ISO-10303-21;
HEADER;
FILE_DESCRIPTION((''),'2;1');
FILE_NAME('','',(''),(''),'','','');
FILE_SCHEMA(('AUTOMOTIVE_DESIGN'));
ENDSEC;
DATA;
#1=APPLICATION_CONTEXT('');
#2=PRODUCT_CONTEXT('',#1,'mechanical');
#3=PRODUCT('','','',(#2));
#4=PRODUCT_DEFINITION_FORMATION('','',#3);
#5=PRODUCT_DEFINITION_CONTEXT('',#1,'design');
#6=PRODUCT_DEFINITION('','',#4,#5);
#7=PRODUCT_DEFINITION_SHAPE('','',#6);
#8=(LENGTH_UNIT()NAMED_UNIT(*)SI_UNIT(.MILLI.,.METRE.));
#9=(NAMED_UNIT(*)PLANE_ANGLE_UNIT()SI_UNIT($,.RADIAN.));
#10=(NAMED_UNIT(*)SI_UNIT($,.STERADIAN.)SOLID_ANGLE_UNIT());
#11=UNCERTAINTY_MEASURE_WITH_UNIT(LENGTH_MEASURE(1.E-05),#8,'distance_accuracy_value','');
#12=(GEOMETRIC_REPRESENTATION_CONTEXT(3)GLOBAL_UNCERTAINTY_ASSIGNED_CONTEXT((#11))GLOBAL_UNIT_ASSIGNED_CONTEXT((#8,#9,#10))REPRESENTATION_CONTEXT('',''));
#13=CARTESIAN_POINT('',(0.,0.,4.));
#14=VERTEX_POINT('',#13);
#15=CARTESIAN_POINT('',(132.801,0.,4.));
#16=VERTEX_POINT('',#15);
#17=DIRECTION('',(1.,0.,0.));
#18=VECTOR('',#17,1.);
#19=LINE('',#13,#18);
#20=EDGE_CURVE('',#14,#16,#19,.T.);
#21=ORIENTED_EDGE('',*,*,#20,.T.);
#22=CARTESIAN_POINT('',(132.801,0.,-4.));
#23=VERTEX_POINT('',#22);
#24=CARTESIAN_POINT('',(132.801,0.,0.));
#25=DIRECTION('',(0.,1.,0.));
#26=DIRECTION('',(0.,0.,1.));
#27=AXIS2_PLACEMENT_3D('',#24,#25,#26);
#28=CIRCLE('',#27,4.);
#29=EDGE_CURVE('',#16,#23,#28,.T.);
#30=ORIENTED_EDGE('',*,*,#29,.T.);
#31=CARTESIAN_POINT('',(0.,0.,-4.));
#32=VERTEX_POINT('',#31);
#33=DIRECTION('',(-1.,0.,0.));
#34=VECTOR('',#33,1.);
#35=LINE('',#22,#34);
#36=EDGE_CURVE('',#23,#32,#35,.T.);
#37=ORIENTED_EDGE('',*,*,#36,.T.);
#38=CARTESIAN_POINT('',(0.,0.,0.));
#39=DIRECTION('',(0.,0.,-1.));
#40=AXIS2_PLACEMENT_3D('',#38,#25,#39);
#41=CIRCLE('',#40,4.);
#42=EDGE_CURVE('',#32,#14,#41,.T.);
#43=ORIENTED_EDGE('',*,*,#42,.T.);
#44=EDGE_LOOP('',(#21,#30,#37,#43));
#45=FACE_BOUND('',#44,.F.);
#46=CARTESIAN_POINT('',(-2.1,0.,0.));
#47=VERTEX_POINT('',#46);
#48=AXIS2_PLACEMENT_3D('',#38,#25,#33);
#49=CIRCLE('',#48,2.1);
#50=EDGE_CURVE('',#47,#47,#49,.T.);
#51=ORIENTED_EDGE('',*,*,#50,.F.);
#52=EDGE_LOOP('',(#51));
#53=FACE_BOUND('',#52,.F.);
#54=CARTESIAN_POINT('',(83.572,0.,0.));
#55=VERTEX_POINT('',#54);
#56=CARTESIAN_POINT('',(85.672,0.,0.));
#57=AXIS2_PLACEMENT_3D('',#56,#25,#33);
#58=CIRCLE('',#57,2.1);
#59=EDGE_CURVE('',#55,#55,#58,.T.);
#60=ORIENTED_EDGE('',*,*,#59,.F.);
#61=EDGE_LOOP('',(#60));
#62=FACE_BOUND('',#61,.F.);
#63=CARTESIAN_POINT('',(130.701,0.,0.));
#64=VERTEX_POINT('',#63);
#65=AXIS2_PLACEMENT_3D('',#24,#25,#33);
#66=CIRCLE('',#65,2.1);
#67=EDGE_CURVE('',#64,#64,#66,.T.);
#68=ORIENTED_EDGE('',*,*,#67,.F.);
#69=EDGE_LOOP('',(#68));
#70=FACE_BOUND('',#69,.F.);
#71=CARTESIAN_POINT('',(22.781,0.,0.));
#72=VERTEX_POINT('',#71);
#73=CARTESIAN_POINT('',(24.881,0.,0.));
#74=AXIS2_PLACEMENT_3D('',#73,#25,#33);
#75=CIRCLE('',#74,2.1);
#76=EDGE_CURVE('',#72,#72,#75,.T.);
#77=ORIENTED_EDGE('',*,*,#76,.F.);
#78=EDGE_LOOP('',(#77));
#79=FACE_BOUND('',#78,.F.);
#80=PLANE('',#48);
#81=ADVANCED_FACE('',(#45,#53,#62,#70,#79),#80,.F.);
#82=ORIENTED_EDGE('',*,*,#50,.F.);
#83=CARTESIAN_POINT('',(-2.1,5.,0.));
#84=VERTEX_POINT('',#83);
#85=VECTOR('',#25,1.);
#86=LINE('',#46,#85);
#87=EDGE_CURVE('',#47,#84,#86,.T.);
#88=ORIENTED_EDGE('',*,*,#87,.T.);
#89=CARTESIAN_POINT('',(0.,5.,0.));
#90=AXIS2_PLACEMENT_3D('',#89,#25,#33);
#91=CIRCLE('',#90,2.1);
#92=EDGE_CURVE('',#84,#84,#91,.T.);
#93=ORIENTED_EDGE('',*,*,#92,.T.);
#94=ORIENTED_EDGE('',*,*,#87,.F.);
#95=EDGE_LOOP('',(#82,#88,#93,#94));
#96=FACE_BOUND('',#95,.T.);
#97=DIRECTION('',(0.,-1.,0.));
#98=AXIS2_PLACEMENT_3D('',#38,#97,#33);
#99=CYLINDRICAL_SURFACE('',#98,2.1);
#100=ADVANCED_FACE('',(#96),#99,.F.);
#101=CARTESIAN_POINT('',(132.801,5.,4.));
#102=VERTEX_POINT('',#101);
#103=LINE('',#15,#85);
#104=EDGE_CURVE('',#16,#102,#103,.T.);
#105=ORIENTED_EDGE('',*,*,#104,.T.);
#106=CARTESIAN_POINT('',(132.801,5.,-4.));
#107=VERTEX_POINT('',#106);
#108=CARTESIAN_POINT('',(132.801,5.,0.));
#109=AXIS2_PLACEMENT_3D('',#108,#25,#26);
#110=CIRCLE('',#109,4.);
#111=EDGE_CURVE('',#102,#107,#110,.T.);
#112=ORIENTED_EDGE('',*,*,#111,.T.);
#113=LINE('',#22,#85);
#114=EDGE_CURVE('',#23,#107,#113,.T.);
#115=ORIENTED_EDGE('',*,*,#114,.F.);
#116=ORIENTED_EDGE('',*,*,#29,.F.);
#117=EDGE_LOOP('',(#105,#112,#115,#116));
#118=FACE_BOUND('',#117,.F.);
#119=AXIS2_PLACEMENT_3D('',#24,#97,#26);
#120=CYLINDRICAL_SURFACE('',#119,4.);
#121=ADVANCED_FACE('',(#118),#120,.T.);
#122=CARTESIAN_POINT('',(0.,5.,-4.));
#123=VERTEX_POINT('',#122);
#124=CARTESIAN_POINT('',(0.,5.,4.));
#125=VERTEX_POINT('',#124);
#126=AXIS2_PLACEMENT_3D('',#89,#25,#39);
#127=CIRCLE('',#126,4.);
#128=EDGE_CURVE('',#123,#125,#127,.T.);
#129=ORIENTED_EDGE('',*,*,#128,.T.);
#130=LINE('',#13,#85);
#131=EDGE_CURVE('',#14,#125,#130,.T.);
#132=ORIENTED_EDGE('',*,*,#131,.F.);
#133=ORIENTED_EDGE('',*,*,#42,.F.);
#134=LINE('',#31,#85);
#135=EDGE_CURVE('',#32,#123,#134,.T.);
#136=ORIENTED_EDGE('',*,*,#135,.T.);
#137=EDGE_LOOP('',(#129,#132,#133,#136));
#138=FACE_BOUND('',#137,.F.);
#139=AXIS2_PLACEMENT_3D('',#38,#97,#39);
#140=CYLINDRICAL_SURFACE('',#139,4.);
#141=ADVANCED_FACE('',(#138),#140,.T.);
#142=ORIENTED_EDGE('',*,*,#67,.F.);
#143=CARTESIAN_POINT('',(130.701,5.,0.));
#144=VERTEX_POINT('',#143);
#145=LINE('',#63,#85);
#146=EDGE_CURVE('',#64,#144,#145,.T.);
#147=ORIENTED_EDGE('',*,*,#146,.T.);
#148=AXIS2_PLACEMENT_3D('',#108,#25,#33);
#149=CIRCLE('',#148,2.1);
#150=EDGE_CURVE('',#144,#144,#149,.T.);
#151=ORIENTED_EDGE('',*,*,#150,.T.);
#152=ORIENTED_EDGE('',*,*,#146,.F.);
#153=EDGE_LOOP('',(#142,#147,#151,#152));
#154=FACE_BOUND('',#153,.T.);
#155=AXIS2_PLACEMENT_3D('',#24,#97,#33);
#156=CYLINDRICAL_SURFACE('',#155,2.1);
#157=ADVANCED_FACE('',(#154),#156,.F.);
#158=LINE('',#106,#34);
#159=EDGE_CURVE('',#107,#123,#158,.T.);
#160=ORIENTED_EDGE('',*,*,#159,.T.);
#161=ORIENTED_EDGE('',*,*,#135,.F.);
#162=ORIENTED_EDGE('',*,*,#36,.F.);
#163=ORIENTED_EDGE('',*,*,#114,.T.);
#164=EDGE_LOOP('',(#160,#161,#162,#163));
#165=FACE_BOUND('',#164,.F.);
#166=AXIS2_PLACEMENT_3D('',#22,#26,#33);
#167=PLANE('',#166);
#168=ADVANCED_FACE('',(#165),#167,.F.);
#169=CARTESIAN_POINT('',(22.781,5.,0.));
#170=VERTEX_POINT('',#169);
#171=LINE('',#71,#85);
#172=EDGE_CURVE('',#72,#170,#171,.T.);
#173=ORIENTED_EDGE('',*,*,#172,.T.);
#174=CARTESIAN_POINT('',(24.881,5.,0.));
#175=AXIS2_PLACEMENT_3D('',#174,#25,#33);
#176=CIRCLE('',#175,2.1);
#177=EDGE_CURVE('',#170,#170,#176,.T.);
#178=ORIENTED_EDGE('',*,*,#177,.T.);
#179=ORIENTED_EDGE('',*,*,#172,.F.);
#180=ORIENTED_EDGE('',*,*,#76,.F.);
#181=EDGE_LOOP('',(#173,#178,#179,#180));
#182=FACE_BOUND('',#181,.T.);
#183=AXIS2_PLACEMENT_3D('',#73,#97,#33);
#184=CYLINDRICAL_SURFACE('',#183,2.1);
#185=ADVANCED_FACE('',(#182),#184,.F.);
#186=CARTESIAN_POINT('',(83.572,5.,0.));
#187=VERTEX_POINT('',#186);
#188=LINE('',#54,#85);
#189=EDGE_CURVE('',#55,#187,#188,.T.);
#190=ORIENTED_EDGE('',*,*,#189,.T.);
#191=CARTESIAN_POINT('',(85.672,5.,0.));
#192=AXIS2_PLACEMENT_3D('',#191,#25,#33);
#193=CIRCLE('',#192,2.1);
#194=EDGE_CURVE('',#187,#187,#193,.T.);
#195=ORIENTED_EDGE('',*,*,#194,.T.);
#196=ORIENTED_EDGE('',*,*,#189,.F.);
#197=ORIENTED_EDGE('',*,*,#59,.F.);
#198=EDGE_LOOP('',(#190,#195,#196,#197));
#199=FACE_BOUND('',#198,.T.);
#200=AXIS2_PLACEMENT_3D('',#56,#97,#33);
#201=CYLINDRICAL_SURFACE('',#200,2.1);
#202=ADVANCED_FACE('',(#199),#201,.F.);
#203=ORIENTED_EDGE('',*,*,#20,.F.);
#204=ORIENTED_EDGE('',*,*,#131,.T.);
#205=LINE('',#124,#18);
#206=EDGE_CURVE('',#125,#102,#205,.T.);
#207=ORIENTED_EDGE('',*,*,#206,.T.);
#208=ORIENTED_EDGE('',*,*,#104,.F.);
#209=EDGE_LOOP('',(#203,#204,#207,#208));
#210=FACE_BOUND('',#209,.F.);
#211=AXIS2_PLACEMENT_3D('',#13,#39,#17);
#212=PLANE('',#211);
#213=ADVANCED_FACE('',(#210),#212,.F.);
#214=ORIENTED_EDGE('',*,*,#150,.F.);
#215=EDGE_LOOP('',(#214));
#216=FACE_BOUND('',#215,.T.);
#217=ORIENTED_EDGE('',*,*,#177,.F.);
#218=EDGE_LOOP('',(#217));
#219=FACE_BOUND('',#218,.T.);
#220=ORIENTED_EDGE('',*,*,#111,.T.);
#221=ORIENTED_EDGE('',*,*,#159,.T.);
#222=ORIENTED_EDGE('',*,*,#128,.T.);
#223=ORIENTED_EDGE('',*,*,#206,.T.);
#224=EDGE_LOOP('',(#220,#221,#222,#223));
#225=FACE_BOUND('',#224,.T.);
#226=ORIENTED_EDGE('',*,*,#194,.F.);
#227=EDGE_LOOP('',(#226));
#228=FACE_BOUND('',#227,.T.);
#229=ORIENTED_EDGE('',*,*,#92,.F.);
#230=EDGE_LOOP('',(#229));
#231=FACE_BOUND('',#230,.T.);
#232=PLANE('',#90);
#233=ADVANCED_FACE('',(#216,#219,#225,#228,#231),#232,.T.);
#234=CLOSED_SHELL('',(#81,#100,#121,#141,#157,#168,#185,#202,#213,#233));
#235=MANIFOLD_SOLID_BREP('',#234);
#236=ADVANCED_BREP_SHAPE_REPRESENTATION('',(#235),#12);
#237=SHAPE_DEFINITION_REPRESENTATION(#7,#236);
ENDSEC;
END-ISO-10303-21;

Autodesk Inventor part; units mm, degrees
ref_plane "YZ Plane" through (0, 0, 0) normal (1, 0, 0) x (0, 1, 0)
ref_plane "XZ Plane" through (0, 0, 0) normal (0, 1, 0) x (-1, 0, 0)
ref_plane "XY Plane" through (0, 0, 0) normal (0, 0, 1) x (1, 0, 0)
sketch "Sketch1" plane through (0, 0, 0) normal (0, 1, 0) x (-1, 0, 0)
  line L0 (0, 0) -> (-132.801, 0) construction
  line L1 (0, 4) -> (-132.801, 4)
  line L2 (-132.801, -4) -> (0, -4)
  arc A0 (0, -4) -> (0, 4) centre (0, 0) ccw
  arc A1 (-132.801, 4) -> (-132.801, -4) centre (-132.801, 0) ccw
  circle A2 centre (0, 0) radius 2.1
  circle A3 centre (-24.881, 0) radius 2.1
  circle A4 centre (-132.801, 0) radius 2.1
  circle A5 centre (-85.672, 0) radius 2.1
  point P0 (-66.4005, 0)
  point P1 (-52.7225, 0)
  dimension "d0" = 132.801
  dimension "d1" = 8
  dimension "d2" = 4.2
  dimension "d8" = 4.2
  dimension "d9" = 24.881
  dimension "d10" = 4.2
  dimension "d28" = 4.2
  dimension "d29" = 85.672
extrude "Extrusion1" add sketch "Sketch1" along normal blind 5
